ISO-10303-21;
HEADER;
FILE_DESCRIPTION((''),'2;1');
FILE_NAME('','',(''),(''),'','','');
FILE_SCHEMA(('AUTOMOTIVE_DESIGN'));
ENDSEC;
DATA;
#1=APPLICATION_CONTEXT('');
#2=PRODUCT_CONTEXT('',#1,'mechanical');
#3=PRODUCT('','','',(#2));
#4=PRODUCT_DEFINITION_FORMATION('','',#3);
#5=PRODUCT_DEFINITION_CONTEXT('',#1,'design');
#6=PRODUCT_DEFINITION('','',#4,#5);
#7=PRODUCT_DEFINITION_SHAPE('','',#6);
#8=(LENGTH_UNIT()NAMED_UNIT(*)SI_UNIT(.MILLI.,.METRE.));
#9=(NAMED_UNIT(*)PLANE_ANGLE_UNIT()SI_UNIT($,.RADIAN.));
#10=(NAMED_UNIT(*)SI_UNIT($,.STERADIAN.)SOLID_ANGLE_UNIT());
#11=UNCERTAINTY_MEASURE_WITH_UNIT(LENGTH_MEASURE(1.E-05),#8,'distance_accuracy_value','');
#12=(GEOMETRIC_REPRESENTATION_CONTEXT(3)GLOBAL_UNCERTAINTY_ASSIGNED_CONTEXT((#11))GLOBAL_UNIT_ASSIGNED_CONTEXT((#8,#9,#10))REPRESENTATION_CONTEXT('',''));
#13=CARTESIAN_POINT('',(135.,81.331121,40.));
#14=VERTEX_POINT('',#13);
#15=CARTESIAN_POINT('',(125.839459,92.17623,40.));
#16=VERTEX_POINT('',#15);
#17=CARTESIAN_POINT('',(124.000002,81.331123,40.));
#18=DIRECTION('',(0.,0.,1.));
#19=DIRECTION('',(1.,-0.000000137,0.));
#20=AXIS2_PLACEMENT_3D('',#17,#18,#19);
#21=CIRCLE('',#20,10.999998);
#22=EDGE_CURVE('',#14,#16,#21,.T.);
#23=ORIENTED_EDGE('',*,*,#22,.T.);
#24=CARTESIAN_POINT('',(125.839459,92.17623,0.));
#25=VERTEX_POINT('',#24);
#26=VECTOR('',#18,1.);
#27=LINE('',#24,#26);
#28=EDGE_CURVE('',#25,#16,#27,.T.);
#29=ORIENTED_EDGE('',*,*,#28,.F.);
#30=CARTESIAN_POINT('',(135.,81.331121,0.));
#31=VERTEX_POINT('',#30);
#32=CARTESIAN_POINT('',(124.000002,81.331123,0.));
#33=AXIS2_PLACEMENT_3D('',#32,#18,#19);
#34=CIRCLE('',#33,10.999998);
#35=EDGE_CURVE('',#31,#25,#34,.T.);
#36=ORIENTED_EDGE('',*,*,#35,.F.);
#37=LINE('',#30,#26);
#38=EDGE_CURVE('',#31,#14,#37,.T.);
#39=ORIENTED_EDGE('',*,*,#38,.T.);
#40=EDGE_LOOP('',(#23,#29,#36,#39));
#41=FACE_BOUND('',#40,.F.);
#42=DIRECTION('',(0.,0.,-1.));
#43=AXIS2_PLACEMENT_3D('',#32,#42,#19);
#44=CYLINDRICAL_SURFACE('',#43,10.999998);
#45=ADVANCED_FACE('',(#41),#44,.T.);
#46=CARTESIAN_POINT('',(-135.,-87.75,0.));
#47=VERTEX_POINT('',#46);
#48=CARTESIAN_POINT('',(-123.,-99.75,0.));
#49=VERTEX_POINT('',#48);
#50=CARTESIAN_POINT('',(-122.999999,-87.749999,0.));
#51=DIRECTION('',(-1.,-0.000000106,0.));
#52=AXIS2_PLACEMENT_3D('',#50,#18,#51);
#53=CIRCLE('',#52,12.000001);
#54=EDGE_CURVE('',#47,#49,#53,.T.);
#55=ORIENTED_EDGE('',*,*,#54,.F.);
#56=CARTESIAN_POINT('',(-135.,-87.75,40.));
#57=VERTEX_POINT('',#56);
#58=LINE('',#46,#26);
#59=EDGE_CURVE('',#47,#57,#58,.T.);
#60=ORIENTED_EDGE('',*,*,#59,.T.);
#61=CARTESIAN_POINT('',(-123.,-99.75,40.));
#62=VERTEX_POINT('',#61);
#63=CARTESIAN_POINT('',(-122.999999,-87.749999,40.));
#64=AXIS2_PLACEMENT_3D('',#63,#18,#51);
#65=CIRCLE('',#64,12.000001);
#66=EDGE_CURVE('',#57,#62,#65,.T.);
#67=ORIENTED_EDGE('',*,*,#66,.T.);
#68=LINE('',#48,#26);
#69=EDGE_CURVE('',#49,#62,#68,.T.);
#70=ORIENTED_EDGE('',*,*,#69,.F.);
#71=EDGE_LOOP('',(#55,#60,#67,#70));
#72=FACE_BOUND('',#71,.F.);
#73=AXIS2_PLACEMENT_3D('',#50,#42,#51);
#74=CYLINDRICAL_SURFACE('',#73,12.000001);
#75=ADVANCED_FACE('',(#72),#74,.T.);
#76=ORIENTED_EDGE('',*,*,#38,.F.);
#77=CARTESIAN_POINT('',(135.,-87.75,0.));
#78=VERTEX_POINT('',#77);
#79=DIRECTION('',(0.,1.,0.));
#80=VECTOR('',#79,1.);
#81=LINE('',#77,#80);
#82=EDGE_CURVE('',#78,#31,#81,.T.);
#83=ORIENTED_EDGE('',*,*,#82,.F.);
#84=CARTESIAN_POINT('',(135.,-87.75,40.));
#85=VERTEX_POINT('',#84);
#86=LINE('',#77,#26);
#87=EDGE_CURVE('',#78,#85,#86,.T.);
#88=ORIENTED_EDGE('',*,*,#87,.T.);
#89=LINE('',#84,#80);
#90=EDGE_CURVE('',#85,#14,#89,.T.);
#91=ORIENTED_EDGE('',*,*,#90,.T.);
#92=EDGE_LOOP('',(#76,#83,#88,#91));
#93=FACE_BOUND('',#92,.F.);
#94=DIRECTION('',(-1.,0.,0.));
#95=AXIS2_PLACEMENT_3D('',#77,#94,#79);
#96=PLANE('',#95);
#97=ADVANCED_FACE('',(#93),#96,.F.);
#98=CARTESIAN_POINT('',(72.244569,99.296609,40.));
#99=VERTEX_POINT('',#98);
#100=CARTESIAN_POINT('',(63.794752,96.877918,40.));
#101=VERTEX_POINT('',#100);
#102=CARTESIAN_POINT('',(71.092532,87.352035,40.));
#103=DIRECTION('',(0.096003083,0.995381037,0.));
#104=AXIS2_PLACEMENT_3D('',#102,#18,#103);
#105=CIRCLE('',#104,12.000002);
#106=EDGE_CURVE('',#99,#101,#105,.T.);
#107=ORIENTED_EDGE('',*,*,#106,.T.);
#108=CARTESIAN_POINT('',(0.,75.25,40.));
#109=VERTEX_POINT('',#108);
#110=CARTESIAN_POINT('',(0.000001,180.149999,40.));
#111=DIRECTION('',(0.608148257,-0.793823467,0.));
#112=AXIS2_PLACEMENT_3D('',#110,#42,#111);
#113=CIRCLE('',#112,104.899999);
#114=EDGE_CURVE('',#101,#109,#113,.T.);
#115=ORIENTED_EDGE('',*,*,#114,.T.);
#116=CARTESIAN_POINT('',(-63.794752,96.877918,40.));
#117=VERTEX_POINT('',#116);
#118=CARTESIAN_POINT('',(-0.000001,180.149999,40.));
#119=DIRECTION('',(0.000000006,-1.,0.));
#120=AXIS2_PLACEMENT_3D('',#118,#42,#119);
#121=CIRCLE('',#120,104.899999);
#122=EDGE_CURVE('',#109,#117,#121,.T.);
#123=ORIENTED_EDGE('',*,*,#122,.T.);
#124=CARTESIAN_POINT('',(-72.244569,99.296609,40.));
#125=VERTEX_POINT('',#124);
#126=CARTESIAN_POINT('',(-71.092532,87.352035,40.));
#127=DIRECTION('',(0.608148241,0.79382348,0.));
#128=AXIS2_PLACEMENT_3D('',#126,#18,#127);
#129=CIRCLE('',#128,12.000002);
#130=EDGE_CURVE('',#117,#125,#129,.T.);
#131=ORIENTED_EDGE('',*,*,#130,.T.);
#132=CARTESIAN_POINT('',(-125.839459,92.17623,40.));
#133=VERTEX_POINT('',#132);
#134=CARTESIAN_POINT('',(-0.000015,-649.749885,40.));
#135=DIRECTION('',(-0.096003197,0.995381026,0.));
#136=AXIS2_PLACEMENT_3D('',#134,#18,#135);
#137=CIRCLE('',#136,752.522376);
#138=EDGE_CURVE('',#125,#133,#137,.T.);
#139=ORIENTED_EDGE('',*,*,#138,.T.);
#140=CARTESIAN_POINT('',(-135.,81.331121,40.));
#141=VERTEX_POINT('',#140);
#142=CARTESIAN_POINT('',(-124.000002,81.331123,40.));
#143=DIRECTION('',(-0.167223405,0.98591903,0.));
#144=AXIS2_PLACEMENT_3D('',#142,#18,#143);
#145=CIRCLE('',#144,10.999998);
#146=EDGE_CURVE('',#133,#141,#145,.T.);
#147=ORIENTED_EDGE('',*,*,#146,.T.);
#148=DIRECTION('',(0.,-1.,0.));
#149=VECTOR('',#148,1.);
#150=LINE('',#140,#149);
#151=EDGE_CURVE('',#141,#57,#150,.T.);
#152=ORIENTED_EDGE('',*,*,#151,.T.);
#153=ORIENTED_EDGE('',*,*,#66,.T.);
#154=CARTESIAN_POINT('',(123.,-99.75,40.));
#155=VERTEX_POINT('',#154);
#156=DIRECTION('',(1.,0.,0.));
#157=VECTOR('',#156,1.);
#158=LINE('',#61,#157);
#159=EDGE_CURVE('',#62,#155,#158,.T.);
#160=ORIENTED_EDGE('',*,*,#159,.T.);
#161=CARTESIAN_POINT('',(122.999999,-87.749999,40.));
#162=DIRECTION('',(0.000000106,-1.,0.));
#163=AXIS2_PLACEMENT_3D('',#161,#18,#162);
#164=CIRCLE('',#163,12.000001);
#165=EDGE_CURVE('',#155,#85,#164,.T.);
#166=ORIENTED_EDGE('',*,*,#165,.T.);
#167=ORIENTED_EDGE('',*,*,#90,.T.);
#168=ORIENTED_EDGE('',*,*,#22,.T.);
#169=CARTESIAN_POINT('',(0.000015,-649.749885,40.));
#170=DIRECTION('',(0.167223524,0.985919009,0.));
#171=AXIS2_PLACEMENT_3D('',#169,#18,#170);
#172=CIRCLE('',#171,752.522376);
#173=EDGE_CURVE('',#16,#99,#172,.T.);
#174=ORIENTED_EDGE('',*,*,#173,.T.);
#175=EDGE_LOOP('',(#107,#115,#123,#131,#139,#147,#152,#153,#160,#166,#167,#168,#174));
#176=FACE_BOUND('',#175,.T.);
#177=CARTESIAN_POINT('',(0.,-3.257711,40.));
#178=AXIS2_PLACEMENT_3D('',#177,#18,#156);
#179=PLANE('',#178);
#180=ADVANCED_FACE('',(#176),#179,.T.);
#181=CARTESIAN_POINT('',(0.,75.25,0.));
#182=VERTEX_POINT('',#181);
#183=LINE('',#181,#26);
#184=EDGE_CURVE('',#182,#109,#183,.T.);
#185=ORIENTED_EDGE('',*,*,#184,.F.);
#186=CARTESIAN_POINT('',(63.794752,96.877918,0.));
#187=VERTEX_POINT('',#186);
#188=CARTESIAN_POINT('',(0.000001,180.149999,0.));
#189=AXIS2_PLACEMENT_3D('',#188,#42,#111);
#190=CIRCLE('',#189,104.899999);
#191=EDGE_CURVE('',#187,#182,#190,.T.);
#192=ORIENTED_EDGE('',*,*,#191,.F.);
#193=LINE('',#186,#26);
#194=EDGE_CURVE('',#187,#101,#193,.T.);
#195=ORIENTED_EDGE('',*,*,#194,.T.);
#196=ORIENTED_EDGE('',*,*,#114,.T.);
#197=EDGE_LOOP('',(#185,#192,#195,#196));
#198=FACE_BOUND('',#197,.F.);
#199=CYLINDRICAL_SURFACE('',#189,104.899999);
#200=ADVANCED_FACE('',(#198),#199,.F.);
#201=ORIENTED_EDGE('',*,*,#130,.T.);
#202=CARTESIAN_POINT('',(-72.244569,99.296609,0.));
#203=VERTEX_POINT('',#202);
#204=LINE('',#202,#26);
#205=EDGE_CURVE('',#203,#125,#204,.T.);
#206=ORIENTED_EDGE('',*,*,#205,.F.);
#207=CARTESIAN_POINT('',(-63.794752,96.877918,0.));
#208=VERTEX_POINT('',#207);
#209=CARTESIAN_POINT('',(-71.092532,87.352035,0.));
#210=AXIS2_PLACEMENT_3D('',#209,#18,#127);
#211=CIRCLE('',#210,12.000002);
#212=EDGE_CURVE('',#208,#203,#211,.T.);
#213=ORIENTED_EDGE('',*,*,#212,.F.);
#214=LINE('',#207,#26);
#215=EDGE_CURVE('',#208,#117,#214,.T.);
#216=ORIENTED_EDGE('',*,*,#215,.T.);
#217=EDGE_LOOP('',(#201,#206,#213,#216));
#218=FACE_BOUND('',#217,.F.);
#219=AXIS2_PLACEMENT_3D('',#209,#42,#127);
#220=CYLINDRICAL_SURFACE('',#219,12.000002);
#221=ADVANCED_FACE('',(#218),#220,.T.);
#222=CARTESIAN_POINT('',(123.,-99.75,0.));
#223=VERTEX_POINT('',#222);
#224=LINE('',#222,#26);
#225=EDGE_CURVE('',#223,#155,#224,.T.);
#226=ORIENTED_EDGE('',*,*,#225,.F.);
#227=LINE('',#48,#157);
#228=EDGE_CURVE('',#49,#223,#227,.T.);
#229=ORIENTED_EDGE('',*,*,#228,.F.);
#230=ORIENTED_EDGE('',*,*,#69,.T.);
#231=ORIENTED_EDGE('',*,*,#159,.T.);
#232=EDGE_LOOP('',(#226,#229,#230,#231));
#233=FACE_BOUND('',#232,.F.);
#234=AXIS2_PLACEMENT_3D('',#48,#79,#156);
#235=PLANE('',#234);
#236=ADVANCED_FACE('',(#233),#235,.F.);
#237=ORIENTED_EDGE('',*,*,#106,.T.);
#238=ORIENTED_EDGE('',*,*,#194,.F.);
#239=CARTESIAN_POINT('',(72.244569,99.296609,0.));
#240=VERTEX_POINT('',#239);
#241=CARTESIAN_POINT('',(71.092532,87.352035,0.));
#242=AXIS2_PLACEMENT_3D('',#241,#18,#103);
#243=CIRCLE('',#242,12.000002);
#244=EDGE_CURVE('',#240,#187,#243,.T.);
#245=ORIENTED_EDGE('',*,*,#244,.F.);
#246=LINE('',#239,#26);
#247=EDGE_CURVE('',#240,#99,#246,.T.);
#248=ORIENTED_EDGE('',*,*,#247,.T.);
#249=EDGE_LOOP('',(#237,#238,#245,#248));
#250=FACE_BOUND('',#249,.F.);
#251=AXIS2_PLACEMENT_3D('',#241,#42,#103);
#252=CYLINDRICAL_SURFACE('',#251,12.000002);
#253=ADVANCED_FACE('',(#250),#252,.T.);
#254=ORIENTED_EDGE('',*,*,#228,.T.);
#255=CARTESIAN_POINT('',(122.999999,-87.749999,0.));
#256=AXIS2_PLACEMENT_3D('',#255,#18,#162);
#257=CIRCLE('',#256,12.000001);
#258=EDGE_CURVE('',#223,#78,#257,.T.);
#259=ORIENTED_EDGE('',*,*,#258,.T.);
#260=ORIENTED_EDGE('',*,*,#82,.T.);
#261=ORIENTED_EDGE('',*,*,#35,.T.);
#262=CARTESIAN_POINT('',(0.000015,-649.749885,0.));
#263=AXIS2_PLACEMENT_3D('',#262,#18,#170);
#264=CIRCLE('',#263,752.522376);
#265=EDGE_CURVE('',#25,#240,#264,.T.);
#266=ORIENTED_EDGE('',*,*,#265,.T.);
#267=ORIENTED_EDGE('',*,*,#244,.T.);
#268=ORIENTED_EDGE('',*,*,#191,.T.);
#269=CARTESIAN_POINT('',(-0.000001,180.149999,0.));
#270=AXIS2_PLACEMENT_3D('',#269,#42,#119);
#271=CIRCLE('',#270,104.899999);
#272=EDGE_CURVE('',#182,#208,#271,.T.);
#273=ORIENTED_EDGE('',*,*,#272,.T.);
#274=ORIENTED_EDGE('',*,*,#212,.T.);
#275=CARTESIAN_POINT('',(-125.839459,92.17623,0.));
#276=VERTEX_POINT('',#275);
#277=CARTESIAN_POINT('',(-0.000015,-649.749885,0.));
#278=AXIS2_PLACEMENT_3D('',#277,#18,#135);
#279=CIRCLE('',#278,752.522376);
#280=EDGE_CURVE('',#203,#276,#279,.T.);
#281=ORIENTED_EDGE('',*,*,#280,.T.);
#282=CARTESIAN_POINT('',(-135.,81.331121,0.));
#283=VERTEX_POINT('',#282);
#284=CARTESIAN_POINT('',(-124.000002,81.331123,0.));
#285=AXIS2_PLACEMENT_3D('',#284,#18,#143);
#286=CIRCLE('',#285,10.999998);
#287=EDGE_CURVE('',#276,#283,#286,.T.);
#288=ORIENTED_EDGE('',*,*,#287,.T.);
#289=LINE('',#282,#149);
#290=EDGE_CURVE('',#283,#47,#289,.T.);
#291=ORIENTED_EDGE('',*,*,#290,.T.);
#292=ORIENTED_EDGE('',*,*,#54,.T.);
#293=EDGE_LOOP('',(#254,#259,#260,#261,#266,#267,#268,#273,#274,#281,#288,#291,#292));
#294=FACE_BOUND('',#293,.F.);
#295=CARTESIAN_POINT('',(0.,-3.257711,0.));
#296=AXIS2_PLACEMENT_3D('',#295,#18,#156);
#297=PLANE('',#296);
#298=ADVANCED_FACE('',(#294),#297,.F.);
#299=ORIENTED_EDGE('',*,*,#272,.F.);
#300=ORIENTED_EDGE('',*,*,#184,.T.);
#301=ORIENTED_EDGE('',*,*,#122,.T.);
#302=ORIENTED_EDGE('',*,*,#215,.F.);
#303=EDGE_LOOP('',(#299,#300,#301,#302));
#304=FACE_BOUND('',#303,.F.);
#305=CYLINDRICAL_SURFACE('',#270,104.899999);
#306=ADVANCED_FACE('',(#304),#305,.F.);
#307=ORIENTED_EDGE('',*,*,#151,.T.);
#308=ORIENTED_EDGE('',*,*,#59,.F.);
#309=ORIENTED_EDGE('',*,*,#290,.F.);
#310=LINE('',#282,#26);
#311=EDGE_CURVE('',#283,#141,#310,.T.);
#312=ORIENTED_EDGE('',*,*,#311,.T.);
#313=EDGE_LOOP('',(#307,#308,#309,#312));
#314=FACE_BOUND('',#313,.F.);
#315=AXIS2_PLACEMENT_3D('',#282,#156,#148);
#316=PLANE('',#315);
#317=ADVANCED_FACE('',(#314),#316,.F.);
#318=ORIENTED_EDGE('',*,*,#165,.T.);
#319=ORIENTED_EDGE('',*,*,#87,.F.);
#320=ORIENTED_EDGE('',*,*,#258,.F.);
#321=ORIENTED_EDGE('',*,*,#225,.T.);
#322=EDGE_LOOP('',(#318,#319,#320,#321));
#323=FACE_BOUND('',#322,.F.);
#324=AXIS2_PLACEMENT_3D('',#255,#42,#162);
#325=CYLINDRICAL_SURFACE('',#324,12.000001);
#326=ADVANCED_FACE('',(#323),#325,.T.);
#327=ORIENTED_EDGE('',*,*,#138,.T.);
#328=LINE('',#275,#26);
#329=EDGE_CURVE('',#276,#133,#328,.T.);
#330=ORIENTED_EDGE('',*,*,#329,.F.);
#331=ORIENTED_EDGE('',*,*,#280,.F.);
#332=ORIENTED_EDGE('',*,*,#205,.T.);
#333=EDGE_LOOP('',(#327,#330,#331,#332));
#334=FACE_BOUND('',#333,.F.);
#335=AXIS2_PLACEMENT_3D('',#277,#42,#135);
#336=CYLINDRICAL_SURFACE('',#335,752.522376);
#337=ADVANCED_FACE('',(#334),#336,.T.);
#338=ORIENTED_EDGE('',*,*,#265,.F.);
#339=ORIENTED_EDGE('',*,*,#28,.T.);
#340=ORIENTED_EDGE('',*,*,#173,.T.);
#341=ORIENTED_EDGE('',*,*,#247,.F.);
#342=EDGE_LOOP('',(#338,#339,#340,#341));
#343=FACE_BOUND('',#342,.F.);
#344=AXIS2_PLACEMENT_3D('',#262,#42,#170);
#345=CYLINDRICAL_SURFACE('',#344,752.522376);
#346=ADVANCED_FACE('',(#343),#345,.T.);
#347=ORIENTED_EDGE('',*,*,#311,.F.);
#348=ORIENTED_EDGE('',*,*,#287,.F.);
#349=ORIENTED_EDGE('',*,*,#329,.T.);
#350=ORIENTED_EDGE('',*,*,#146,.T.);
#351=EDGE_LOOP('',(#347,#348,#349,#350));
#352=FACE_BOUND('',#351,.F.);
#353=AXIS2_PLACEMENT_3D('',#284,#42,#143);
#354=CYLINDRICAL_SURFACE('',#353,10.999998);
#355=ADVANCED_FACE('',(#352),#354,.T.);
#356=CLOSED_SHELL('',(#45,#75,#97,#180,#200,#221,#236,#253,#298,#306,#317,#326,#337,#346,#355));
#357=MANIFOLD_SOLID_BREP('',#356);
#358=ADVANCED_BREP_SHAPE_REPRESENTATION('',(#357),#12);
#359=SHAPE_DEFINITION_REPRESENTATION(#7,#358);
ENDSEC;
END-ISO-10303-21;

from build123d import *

# Parameters (mm, degrees)
F1_DEPTH = 40


with BuildPart() as f1:
    # F0 (on Top) → F1 (new body)
    with BuildSketch(Plane.XY):
        with BuildLine():
            ThreePointArc((-135, -87.75), (-131.485281, -96.235281), (-123, -99.75))
            Line((-123, -99.75), (123, -99.75))
            ThreePointArc((123, -99.75), (131.485281, -96.235281), (135, -87.75))
            Line((135, -87.75), (135, 81.331121))
            ThreePointArc((135, 81.331121), (132.403394, 88.429218), (125.839459, 92.17623))
            ThreePointArc((125.839459, 92.17623), (99.105981, 96.217898), (72.244569, 99.296609))
            ThreePointArc((72.244569, 99.296609), (67.790252, 98.888715), (63.794752, 96.877918))
            ThreePointArc((63.794752, 96.877918), (33.680622, 80.80401), (0, 75.25))
            ThreePointArc((0, 75.25), (-33.680622, 80.80401), (-63.794752, 96.877918))
            ThreePointArc((-63.794752, 96.877918), (-67.790252, 98.888715), (-72.244569, 99.296609))
            ThreePointArc((-72.244569, 99.296609), (-99.105981, 96.217898), (-125.839459, 92.17623))
            ThreePointArc((-125.839459, 92.17623), (-132.403394, 88.429218), (-135, 81.331121))
            Line((-135, 81.331121), (-135, -87.75))
        make_face()
    extrude(amount=F1_DEPTH)


solid = f1.part
